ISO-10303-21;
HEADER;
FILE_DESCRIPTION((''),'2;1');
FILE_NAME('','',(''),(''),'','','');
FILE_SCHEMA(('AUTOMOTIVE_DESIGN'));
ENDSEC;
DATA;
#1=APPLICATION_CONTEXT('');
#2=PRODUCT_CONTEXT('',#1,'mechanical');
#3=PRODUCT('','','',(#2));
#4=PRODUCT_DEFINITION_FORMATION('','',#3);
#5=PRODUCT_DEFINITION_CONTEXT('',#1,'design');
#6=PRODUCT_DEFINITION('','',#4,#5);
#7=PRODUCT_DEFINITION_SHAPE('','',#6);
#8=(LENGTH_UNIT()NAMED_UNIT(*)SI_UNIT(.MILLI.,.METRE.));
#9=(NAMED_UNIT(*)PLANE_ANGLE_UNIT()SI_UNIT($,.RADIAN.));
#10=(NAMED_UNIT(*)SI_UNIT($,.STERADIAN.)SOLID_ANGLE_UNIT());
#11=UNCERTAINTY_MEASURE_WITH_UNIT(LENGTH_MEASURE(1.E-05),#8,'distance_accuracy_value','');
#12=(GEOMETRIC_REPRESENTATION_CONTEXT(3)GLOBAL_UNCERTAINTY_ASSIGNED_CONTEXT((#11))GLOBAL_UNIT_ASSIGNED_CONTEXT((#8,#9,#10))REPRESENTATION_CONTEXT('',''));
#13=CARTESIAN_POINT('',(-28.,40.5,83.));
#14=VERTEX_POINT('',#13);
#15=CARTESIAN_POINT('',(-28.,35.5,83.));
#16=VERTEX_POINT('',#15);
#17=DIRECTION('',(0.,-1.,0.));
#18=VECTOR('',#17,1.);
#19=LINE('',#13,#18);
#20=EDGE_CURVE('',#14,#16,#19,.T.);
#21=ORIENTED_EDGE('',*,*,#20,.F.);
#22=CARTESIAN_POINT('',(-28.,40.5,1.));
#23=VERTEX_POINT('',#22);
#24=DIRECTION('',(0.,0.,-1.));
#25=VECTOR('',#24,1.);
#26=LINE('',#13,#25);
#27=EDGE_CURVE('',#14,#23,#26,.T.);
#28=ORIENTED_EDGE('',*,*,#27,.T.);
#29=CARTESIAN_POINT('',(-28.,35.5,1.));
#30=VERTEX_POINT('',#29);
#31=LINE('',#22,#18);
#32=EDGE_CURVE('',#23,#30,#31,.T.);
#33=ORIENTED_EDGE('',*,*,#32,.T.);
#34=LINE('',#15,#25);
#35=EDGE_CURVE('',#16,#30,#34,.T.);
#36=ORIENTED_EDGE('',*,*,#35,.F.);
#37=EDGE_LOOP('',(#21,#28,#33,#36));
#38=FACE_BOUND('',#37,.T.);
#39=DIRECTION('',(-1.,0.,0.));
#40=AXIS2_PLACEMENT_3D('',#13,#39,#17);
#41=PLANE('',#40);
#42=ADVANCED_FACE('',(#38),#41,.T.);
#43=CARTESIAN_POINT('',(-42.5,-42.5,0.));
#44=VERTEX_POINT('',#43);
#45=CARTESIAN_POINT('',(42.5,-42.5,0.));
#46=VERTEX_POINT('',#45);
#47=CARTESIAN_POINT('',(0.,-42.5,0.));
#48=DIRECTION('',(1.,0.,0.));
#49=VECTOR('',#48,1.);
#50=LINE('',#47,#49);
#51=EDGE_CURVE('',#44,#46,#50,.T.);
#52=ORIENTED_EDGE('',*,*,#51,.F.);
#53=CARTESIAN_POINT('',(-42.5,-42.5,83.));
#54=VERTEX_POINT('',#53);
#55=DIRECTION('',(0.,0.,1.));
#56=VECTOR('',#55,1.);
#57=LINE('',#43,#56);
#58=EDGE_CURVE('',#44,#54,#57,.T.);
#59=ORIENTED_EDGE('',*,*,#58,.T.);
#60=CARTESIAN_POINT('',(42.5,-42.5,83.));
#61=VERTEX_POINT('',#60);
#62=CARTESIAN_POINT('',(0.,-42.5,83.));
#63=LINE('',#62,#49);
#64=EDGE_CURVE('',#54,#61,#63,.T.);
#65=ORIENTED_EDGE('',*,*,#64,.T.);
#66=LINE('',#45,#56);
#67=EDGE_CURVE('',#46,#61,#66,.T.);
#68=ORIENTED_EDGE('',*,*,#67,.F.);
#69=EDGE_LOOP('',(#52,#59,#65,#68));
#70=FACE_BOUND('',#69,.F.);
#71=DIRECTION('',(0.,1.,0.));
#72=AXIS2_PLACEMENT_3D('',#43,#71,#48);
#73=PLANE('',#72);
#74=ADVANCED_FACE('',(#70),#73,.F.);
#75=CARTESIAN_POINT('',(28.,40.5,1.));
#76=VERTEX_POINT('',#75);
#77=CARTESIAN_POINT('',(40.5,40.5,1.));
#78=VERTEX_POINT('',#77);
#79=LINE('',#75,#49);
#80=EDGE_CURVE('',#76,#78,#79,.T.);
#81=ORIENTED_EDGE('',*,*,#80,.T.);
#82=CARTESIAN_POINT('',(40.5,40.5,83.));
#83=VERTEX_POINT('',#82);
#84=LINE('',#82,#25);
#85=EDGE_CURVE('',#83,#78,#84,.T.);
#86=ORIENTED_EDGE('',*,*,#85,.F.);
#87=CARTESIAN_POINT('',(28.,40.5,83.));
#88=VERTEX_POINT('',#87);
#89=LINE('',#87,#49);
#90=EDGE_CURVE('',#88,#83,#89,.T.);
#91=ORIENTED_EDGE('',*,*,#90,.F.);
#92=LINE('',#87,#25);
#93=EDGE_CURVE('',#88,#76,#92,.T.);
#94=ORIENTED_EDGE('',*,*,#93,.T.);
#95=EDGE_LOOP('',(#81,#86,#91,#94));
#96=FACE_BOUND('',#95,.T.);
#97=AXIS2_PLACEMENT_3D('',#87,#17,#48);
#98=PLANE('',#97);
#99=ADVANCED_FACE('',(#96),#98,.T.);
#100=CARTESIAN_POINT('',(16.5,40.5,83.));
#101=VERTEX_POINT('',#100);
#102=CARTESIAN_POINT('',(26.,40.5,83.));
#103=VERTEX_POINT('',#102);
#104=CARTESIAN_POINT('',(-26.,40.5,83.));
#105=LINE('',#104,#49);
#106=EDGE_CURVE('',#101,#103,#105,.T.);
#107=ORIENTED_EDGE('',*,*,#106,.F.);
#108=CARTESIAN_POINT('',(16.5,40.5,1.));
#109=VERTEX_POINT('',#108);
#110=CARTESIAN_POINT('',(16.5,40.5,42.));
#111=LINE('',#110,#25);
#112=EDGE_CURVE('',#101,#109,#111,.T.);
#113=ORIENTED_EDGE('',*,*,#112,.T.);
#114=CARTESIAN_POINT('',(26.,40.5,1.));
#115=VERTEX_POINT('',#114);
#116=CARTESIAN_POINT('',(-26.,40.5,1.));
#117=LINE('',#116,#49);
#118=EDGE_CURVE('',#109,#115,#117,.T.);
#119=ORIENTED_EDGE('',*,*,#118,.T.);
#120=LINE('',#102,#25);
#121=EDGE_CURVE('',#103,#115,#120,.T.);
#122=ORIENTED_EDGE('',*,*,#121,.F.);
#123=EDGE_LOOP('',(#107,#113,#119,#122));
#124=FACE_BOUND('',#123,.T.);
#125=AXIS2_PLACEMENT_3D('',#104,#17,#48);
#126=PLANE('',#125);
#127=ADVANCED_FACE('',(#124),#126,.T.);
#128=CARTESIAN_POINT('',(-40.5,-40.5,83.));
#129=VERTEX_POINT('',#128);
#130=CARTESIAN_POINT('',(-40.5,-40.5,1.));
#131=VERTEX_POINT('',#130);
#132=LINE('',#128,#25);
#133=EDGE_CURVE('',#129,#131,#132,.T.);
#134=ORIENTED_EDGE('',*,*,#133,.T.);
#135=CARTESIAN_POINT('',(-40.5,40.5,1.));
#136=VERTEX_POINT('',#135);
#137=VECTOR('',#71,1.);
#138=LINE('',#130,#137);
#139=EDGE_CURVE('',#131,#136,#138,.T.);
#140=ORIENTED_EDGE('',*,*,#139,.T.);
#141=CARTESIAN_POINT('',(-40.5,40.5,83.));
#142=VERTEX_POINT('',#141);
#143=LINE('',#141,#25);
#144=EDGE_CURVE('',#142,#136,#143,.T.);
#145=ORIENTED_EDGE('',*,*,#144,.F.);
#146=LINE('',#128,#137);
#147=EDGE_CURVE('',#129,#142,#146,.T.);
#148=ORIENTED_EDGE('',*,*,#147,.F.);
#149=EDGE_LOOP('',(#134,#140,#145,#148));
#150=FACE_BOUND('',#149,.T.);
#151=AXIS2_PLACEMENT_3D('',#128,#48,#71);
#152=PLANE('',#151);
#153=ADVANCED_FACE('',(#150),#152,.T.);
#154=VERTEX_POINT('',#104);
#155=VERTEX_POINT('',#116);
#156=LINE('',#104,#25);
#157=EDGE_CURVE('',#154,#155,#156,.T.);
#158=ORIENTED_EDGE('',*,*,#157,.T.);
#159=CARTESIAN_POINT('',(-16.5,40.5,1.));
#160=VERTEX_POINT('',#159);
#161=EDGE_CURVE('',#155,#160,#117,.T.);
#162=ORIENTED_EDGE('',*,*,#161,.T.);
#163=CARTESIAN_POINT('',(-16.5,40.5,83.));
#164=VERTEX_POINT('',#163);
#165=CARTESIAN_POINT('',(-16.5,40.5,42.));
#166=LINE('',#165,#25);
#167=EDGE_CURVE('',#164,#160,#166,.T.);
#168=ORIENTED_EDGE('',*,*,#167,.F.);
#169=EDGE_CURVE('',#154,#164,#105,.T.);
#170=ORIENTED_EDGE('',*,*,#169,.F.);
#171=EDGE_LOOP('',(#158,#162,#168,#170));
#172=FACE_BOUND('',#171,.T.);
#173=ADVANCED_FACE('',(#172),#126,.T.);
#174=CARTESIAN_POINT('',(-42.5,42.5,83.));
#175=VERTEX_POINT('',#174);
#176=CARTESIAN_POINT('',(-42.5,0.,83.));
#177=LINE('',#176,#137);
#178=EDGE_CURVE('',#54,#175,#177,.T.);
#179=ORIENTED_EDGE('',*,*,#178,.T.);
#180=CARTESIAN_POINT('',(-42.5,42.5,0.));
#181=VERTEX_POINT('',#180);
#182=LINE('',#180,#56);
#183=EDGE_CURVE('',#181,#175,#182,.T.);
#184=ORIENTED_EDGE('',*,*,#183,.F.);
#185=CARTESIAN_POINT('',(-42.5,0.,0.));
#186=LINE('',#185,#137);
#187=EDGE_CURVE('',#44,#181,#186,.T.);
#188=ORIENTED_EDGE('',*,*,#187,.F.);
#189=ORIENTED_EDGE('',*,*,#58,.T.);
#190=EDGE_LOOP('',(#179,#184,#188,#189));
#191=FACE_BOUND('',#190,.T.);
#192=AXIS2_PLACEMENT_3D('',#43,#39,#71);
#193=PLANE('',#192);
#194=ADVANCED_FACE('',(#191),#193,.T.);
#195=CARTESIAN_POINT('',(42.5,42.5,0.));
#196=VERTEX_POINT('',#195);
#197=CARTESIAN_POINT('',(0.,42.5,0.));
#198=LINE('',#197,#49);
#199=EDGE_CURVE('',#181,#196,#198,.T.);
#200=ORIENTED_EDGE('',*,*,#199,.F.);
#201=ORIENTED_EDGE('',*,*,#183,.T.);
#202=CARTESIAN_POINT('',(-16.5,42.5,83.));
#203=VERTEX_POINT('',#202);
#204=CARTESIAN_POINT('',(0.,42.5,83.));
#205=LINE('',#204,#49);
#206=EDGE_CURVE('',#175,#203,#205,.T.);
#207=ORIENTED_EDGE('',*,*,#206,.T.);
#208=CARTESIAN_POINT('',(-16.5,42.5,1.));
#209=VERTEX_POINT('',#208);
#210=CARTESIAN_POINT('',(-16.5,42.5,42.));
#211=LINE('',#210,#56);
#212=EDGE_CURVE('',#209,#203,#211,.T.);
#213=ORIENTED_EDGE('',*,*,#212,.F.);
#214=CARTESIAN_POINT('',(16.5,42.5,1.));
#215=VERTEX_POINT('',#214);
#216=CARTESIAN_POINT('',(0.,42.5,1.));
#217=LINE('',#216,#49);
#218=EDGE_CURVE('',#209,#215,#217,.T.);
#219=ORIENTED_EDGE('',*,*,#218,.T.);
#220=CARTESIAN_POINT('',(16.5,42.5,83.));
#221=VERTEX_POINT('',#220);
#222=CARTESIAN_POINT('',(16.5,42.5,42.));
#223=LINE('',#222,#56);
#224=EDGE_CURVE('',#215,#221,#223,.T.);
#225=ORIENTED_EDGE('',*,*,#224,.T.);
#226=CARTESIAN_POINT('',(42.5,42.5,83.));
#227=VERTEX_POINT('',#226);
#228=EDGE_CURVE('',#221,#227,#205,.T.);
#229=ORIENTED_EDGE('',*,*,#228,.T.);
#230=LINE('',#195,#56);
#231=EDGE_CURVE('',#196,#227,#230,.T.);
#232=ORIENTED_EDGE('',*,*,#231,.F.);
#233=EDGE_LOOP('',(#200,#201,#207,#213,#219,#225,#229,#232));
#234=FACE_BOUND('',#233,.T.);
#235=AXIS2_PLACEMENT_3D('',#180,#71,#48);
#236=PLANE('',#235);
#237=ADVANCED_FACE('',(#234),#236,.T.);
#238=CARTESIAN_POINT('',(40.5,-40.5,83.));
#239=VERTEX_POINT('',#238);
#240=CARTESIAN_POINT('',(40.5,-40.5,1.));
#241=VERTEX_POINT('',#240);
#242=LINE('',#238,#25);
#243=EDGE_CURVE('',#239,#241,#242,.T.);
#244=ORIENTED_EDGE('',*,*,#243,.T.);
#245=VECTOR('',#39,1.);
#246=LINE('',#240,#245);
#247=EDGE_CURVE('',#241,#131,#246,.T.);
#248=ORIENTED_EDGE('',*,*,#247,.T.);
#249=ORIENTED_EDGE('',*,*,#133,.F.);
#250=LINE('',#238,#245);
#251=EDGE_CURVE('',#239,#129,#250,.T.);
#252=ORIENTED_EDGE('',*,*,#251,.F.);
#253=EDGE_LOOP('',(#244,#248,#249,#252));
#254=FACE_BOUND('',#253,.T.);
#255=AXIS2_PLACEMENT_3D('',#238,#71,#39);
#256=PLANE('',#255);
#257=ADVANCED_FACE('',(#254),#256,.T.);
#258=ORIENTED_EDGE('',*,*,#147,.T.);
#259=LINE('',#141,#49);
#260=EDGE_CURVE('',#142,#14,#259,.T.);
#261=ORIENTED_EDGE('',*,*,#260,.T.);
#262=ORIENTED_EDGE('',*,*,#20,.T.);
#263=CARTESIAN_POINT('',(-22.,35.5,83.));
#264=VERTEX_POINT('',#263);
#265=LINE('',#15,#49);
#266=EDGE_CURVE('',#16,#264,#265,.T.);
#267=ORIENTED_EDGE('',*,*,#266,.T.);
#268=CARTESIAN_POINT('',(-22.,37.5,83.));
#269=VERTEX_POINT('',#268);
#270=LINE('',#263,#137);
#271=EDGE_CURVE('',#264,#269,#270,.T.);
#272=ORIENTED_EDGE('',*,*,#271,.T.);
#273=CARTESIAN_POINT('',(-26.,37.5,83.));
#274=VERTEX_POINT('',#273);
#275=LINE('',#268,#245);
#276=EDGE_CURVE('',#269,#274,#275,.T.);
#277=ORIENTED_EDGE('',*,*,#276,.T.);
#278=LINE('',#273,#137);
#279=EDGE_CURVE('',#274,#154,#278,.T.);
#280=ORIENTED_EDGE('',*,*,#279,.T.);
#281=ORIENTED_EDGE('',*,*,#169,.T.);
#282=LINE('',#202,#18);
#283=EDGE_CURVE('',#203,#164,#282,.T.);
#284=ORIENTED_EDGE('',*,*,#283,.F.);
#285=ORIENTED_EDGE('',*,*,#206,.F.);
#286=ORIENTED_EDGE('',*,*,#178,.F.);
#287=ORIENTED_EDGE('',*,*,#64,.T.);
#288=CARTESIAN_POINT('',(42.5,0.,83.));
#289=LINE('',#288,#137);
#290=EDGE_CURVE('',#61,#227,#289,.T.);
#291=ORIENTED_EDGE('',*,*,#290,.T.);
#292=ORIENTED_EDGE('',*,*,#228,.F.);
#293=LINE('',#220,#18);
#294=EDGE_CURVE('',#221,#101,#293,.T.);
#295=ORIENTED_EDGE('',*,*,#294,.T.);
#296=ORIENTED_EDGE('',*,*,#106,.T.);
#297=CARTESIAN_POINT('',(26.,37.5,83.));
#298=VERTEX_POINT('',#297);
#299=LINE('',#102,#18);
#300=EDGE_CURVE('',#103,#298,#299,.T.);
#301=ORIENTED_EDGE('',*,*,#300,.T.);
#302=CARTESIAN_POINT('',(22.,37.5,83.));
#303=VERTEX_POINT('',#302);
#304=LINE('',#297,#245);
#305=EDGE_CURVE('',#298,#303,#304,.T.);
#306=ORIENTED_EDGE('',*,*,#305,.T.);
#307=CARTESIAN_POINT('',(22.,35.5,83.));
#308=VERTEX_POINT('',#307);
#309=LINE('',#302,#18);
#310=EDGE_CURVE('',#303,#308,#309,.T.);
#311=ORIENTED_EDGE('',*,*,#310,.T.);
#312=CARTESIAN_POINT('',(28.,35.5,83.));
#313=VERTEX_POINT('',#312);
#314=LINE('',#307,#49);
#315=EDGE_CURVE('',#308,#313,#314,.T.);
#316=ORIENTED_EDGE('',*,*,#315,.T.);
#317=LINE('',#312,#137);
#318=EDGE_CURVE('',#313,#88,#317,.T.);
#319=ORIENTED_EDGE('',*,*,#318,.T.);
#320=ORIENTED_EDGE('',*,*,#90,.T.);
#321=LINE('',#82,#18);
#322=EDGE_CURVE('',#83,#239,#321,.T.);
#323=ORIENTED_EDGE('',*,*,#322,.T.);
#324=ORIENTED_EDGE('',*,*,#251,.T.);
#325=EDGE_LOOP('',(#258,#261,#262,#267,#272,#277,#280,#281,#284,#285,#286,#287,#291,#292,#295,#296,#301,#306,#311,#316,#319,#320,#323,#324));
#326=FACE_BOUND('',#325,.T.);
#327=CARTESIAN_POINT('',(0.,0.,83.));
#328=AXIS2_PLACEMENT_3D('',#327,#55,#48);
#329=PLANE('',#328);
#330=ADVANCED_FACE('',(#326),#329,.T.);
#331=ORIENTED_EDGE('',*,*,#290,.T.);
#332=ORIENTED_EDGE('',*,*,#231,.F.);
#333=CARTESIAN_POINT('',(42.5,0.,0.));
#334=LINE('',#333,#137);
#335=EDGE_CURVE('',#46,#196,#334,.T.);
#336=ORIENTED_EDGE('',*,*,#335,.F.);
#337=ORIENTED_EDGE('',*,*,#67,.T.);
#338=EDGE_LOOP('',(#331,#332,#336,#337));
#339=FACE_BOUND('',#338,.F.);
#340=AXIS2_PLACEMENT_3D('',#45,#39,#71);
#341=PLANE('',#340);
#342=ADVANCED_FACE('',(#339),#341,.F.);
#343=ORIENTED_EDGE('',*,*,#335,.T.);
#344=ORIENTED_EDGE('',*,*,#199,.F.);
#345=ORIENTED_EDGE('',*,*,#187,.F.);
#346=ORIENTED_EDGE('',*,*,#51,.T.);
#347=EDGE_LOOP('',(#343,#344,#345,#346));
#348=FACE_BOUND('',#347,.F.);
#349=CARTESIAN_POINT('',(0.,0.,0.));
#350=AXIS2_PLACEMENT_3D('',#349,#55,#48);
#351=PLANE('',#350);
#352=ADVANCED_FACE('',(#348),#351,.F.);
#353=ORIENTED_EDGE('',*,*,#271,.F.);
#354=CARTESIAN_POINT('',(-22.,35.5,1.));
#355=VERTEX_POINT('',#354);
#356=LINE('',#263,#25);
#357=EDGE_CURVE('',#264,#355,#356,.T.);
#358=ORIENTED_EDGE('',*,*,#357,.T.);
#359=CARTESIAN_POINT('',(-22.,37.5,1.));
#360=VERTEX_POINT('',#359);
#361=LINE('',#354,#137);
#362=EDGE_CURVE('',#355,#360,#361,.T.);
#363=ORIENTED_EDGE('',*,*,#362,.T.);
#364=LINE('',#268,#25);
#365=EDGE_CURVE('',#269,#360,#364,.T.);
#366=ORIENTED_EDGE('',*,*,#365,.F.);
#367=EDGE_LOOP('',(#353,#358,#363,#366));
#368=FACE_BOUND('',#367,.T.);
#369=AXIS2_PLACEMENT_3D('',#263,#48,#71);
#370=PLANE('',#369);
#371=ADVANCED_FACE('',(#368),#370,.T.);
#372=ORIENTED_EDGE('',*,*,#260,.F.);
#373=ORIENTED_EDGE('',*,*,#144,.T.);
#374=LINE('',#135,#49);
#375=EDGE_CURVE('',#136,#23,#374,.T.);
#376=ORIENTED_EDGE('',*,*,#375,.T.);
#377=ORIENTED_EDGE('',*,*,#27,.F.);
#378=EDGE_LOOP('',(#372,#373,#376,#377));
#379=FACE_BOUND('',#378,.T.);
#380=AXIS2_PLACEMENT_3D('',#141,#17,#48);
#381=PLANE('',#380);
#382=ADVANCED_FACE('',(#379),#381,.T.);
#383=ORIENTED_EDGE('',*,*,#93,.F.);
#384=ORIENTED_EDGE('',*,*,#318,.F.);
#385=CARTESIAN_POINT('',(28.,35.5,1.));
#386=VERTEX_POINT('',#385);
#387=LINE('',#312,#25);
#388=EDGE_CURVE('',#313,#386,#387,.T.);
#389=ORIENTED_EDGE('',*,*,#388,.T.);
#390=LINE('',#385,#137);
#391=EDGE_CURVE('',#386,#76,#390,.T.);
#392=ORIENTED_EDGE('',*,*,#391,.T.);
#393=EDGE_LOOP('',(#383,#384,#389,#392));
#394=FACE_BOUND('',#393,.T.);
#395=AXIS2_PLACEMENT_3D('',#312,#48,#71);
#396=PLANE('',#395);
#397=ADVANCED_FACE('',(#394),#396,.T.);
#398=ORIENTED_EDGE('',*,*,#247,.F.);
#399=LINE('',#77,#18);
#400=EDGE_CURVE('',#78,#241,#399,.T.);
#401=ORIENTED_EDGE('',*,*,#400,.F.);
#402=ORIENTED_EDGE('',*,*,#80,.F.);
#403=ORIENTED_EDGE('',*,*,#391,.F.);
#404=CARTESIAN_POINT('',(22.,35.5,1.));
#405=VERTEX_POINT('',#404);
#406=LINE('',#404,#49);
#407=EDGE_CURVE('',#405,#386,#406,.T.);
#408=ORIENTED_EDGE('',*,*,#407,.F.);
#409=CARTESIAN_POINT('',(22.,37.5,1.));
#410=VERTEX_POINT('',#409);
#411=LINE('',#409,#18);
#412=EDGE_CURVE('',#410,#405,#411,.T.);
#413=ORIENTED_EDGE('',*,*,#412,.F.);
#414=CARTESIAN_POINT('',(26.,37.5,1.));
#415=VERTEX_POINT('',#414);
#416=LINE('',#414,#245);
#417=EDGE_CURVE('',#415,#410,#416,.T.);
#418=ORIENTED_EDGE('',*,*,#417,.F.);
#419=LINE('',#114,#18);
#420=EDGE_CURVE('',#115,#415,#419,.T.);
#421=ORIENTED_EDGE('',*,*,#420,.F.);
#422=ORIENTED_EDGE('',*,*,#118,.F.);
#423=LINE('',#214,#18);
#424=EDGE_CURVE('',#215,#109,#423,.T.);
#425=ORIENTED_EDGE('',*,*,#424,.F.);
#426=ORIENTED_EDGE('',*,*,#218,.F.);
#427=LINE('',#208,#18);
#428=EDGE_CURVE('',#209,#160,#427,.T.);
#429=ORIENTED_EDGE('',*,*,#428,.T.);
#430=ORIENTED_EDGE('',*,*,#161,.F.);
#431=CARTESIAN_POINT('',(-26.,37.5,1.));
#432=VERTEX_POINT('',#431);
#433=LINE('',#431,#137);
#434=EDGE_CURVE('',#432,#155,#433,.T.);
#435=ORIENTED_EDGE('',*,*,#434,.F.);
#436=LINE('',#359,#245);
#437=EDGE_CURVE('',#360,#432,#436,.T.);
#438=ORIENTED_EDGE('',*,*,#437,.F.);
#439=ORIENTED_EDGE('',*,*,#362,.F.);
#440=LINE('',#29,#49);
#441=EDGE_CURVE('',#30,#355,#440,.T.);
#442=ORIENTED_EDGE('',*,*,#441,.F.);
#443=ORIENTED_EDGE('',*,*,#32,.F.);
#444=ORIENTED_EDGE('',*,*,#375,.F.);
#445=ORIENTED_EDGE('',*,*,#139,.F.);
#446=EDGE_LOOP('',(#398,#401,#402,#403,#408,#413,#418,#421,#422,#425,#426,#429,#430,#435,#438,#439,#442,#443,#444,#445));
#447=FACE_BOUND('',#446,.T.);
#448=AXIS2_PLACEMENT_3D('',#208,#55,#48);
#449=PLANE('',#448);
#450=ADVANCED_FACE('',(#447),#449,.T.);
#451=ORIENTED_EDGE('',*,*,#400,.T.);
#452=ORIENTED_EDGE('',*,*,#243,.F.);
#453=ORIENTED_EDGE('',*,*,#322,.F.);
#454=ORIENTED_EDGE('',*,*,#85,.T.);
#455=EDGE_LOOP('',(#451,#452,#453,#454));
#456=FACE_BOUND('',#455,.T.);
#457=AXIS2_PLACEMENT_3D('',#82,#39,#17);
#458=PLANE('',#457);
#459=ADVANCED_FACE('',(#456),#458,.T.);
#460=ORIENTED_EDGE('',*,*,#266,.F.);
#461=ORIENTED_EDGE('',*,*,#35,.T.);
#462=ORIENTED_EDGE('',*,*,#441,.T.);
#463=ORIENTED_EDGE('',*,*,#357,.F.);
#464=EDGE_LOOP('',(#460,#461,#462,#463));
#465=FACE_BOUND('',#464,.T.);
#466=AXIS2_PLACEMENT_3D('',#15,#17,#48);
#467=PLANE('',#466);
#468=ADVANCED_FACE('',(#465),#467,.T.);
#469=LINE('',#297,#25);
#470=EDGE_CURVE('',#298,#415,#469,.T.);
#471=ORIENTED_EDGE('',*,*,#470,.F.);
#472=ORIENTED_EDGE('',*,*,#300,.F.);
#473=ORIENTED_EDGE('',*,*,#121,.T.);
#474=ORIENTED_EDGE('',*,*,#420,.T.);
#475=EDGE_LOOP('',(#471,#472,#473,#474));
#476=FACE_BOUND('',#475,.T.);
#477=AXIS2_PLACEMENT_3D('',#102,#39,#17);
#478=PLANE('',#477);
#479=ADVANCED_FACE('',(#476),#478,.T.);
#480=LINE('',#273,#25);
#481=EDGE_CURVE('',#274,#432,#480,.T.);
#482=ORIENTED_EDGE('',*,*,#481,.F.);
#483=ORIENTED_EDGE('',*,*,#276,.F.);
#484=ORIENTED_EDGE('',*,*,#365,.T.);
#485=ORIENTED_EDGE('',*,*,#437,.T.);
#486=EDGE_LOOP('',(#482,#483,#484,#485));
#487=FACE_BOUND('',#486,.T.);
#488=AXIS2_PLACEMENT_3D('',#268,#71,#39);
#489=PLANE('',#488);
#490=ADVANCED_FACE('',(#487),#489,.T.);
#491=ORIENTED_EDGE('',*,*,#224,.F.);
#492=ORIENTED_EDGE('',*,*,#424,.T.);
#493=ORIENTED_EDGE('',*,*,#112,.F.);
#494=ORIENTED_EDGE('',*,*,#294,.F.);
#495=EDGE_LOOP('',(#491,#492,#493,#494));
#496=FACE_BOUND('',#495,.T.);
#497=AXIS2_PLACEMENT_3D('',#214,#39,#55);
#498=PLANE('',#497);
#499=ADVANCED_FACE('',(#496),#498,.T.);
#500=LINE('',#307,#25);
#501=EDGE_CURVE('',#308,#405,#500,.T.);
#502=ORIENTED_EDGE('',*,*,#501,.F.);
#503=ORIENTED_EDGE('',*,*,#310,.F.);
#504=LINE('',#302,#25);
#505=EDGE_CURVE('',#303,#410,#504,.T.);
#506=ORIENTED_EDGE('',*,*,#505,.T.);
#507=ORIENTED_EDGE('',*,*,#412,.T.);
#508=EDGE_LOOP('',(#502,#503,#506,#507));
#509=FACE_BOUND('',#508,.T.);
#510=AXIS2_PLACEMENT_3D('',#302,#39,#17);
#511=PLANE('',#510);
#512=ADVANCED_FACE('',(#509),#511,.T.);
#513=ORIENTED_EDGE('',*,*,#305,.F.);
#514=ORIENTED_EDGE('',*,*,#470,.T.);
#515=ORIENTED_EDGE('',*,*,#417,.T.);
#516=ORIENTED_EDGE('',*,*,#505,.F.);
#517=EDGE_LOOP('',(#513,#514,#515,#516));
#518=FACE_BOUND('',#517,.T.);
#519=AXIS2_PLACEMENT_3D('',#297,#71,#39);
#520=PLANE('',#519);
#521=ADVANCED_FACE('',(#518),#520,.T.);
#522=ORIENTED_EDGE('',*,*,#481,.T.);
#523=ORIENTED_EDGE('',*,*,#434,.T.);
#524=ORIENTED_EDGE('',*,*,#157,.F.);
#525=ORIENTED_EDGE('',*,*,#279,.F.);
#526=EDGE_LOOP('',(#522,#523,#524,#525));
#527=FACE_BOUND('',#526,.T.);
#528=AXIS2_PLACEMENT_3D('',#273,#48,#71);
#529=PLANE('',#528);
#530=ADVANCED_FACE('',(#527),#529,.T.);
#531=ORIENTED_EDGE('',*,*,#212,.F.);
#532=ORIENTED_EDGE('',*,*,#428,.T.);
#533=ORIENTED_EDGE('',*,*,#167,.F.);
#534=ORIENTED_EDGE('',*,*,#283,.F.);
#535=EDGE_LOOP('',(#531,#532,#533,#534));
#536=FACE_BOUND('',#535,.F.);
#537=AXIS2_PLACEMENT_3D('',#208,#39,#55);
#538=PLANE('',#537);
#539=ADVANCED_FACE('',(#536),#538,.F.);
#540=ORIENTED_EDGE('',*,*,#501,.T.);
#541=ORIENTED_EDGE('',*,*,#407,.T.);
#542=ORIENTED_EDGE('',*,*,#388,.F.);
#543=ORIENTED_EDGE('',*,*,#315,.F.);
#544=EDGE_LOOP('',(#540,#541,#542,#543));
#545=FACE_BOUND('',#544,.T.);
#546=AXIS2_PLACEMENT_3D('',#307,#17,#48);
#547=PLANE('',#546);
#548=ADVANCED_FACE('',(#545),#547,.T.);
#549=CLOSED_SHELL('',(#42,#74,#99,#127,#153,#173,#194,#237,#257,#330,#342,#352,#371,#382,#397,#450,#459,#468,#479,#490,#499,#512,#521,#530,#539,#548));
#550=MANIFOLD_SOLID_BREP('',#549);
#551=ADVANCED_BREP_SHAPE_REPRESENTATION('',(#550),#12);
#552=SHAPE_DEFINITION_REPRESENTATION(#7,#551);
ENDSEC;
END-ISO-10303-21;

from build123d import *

# Parameters (mm, degrees)
SKETCH_W        = 85
SKETCH_H        = 85
PAD_DEPTH       = 83
POCKET_DEPTH    = 82
SKETCH002_W     = 33
SKETCH002_H     = 82
POCKET001_DEPTH = 5


with BuildPart() as part:
    # Sketch → Pad (new body)
    with BuildSketch(Plane.XY):
        Rectangle(SKETCH_W, SKETCH_H)
    extrude(amount=PAD_DEPTH)

    # Sketch001 (on DatumPlane) → Pocket (cut)
    with BuildSketch(Plane(origin=(0, 0, 83), x_dir=(1, 0, 0), z_dir=(0, 0, -1))):
        Polygon((-40.5, 40.5), (-40.5, -40.5), (-28, -40.5), (-28, -35.5), (-22, -35.5), (-22, -37.5), (-26, -37.5), (-26, -40.5), (26, -40.5), (26, -37.5), (22, -37.5), (22, -35.5), (28, -35.5), (28, -40.5), (40.5, -40.5), (40.5, 40.5), align=None)
    extrude(amount=POCKET_DEPTH, mode=Mode.SUBTRACT)

    # Sketch002 (on DatumPlane) → Pocket001 (cut)
    with BuildSketch(Plane.XZ.offset(-42.5)):
        with Locations((0, 42)):
            Rectangle(SKETCH002_W, SKETCH002_H)
    extrude(amount=POCKET001_DEPTH, mode=Mode.SUBTRACT)


solid = part.part
